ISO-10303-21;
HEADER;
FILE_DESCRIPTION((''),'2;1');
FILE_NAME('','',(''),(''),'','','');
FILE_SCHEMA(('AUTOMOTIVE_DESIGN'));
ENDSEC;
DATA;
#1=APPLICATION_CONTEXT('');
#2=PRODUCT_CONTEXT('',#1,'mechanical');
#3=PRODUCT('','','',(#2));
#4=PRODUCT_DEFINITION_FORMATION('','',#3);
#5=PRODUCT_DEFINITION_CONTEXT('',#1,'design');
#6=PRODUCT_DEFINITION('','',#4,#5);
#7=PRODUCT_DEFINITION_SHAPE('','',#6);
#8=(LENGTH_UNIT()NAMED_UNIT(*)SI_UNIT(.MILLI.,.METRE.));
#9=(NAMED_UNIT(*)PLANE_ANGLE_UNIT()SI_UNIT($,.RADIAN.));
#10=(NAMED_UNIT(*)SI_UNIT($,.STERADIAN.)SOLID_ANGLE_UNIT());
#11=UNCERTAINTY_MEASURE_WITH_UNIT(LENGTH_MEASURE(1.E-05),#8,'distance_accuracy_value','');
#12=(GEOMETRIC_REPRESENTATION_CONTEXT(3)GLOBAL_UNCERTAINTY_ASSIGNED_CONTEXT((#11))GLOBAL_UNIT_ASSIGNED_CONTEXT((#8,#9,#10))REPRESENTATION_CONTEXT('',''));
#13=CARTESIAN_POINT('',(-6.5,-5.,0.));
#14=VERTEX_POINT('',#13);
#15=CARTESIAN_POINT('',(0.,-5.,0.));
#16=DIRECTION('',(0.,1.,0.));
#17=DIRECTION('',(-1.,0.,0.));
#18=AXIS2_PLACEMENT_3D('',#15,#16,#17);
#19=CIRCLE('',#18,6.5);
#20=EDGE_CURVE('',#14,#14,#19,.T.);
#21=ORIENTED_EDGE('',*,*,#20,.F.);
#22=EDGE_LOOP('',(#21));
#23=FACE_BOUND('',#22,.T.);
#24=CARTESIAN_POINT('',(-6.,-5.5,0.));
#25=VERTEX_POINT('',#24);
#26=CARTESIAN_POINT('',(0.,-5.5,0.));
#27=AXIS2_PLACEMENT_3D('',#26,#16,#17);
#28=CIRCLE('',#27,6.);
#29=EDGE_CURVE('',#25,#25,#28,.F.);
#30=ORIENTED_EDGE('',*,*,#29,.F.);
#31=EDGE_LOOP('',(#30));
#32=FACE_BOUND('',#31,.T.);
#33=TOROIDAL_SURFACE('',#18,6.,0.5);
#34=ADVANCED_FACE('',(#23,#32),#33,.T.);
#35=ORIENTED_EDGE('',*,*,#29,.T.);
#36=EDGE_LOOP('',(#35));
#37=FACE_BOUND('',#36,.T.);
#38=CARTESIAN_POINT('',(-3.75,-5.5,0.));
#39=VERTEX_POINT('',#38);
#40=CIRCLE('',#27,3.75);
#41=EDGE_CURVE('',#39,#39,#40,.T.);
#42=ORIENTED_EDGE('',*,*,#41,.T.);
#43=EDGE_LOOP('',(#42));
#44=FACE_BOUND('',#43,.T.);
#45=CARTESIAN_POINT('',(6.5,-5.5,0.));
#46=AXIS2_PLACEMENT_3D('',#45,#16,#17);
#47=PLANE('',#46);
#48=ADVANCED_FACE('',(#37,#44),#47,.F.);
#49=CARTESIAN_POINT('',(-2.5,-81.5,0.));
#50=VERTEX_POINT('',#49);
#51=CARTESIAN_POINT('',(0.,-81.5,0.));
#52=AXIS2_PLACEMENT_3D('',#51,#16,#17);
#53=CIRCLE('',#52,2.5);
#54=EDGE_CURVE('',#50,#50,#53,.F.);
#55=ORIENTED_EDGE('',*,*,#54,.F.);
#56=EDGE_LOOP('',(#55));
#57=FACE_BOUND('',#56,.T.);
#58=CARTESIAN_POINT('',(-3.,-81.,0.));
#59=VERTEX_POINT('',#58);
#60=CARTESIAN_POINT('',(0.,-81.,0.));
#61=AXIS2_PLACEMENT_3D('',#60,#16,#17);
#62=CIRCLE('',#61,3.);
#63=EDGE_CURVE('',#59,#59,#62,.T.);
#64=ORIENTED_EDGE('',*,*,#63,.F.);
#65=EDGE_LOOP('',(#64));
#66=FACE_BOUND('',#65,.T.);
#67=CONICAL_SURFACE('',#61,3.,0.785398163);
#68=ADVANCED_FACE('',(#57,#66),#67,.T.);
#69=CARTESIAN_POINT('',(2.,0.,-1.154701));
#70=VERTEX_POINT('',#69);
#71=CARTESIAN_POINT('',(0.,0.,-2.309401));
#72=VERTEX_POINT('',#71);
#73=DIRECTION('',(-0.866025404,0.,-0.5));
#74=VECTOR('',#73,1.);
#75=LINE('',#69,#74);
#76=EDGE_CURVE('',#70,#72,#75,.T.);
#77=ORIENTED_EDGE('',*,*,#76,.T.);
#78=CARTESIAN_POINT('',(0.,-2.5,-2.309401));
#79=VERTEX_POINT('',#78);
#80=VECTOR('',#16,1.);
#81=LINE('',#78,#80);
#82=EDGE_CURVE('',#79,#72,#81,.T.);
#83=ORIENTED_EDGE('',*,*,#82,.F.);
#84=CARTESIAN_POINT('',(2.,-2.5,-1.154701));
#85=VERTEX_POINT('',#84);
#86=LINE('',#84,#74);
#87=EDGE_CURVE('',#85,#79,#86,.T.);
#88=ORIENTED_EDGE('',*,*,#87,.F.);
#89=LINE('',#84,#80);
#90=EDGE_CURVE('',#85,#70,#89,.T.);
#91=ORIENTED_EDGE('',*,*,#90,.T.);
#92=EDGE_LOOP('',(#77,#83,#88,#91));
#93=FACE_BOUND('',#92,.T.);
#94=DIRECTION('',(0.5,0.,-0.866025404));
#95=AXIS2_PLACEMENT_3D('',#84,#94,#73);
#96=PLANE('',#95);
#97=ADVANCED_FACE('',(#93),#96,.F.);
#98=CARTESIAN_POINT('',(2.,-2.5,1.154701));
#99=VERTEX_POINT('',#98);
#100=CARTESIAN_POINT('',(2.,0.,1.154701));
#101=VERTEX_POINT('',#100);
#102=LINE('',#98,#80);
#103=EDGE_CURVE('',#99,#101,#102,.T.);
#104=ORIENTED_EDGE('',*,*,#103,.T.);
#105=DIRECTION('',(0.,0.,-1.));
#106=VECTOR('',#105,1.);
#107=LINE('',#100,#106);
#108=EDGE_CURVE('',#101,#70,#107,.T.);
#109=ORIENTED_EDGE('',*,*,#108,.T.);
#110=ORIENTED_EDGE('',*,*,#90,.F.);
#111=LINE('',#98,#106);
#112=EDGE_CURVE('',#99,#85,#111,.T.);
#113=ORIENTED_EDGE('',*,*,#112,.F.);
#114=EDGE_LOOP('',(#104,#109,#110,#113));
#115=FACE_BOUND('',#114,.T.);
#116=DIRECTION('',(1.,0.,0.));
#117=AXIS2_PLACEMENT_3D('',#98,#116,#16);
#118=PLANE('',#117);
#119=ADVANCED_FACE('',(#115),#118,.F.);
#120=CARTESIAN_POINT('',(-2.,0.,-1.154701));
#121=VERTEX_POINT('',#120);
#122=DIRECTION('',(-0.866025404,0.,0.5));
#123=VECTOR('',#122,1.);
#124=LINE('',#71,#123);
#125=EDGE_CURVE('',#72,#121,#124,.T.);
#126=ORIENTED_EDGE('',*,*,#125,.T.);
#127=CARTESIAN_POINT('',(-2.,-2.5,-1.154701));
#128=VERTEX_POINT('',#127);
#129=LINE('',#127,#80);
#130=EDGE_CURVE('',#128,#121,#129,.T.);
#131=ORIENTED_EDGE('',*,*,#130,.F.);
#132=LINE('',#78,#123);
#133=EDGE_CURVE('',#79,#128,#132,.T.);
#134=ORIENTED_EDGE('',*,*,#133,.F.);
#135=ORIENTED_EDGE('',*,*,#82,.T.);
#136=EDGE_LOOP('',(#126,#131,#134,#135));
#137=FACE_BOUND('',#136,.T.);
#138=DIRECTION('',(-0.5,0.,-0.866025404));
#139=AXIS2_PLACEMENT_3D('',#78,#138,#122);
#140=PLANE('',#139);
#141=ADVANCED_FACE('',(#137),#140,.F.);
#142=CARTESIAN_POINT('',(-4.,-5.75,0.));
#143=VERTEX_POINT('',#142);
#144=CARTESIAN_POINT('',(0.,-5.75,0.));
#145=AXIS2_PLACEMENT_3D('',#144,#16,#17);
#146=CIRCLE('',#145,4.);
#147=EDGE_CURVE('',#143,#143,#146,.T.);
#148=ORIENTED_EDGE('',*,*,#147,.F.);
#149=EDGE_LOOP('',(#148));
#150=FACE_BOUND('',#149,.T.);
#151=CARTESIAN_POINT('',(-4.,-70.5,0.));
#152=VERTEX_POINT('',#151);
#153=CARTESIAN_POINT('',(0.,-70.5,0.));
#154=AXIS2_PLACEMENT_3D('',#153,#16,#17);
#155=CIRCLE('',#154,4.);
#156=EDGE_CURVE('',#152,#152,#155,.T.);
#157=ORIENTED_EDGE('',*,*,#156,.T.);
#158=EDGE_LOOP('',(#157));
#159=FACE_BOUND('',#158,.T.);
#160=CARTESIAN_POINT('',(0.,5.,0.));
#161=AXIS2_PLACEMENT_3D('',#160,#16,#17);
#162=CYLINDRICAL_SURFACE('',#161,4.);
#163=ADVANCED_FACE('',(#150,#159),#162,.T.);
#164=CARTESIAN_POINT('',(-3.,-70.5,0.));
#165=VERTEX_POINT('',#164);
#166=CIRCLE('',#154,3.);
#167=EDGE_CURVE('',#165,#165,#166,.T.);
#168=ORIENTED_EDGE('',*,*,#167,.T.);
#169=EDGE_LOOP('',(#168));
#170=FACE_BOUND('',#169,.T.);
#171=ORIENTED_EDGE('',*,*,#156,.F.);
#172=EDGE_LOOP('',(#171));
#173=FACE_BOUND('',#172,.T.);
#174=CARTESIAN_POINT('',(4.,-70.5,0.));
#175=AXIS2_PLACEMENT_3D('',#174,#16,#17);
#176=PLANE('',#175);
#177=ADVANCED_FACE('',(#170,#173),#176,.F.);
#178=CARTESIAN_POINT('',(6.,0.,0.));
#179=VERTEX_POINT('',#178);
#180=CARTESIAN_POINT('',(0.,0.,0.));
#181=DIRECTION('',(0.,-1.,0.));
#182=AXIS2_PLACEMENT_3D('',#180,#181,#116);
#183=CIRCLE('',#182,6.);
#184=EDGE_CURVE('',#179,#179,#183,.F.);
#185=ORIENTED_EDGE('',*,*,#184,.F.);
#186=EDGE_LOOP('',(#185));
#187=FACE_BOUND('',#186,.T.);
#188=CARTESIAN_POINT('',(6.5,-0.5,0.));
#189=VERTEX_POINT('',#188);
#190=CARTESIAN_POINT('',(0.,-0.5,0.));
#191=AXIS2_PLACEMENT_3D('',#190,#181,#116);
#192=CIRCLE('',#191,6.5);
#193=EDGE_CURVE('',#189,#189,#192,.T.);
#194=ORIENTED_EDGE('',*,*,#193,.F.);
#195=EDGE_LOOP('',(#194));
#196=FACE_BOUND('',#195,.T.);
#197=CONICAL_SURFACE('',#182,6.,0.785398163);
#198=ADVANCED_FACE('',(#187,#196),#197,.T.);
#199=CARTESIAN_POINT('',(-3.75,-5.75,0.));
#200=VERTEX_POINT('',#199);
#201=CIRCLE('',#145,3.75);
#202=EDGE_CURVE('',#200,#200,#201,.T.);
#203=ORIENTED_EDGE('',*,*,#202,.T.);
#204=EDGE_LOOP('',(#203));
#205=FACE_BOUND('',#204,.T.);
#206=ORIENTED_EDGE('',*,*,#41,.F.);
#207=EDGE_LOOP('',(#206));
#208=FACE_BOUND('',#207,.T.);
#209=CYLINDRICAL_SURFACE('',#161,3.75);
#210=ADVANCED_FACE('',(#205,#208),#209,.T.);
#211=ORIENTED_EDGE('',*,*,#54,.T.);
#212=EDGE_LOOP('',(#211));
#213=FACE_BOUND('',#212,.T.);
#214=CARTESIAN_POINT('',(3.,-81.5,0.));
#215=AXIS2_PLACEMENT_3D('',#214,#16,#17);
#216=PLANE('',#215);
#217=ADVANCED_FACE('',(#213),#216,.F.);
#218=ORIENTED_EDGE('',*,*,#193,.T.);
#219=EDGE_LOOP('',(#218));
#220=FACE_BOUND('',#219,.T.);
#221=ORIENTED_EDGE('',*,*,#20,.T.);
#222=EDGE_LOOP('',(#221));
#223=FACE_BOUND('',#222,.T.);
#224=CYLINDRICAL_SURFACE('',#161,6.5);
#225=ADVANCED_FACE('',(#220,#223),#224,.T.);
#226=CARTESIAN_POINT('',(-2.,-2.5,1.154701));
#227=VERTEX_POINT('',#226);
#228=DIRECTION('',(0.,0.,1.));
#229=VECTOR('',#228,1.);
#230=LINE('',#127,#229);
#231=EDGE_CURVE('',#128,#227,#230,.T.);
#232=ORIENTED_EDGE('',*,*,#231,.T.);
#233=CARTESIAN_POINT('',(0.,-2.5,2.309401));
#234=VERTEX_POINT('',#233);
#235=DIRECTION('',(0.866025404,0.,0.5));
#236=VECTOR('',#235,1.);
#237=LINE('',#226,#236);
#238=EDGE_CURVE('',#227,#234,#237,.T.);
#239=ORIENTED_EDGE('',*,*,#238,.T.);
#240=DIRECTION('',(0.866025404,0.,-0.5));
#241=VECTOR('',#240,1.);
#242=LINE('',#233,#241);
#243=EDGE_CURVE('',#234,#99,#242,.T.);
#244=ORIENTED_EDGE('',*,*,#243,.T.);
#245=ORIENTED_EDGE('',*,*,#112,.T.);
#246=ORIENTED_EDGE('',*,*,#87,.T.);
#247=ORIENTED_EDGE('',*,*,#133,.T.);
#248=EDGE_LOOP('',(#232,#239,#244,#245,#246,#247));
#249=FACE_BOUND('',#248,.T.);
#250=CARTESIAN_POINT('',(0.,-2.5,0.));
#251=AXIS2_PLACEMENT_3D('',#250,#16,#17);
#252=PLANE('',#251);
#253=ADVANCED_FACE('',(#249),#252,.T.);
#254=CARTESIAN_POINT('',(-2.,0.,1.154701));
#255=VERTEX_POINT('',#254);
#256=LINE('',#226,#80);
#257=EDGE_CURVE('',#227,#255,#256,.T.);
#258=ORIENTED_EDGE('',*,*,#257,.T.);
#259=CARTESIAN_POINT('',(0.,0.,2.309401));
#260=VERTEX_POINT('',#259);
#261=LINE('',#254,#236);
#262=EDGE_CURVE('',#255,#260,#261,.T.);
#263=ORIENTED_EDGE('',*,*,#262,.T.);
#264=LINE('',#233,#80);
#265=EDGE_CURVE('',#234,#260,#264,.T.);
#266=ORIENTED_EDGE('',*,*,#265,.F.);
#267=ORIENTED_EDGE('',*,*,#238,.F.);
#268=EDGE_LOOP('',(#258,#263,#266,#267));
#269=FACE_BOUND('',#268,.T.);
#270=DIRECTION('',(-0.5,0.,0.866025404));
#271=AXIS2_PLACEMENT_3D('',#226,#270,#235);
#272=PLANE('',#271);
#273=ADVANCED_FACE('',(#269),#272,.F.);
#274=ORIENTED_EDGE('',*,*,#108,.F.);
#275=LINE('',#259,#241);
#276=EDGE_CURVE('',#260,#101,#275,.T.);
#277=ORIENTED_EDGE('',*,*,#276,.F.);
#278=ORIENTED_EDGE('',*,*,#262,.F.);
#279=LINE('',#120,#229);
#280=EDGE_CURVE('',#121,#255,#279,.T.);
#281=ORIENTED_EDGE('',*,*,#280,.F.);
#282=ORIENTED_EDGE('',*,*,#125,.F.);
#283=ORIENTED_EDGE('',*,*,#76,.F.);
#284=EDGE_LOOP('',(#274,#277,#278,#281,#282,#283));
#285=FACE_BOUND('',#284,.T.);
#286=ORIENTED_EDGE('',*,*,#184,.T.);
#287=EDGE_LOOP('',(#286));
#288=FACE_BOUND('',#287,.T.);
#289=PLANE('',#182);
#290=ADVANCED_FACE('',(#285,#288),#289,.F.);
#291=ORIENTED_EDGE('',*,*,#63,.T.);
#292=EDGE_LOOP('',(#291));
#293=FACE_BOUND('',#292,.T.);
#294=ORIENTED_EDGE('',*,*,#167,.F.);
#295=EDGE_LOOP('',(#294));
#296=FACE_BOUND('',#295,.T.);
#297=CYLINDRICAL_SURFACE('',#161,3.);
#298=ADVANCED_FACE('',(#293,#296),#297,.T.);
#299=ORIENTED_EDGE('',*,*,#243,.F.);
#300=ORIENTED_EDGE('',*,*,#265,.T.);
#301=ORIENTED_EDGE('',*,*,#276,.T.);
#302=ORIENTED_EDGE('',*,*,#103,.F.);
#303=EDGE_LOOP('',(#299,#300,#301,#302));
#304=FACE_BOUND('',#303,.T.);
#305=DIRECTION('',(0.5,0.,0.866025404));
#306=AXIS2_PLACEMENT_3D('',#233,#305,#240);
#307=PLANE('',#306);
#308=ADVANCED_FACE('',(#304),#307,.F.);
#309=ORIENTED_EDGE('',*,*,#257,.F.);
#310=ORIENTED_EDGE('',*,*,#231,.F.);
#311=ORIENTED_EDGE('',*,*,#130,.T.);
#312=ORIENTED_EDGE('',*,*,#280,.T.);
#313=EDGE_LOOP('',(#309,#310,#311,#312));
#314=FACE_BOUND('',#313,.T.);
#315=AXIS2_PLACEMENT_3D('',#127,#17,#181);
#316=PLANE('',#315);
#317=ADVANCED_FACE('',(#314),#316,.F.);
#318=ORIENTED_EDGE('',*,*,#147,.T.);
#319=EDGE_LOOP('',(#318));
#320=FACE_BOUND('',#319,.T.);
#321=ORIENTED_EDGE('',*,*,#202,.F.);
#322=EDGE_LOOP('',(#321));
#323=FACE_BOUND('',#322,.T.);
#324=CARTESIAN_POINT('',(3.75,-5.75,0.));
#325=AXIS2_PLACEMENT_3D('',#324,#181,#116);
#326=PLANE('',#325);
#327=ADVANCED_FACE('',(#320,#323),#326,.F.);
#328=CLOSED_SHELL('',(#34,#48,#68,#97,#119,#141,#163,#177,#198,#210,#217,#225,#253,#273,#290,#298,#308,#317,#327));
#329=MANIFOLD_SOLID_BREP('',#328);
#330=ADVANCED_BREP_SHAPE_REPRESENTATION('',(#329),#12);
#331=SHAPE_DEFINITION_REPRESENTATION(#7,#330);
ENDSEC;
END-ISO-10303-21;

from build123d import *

# Parameters (mm, degrees)
CUT_EXTRUDE1_DEPTH = 2.5
CHAMFER1_SIZE      = 0.5
FILLET1_R          = 0.5
CHAMFER2_SIZE      = 0.5


with BuildPart() as part:
    # Sketch1 → Revolve1 (revolve)
    with BuildSketch(Plane.XY, mode=Mode.PRIVATE) as revolve1_sk:
        Polygon((0, 0), (6.5, 0), (6.5, -5.5), (3.75, -5.5), (3.75, -5.75), (4, -5.75), (4, -70.5), (3, -70.5), (3, -81.5), (0, -81.5), align=None)
    revolve(revolve1_sk.sketch.rotate(Axis((0, 5, 0), (0, -1, 0)), 180), axis=Axis((0, 5, 0), (0, -1, 0)))

    # Sketch2 → Cut-Extrude1 (cut)
    with BuildSketch(Plane(origin=(0, 0, 0), x_dir=(1, 0, 0), z_dir=(0, 1, 0))):
        Polygon((0, -2.309401077), (2, -1.154700538), (2, 1.154700538), (0, 2.309401077), (-2, 1.154700538), (-2, -1.154700538), align=None)
    extrude(amount=-CUT_EXTRUDE1_DEPTH, mode=Mode.SUBTRACT)

    # Chamfer1
    chamfer1_edges = [part.edges().sort_by_distance(p)[0] for p in [
        (6.5, 0, 0),
    ]]
    chamfer(chamfer1_edges, length=CHAMFER1_SIZE)

    # Fillet1
    fillet1_edges = [part.edges().sort_by_distance(p)[0] for p in [
        (6.5, -5.5, 0),
    ]]
    fillet(fillet1_edges, radius=FILLET1_R)

    # Chamfer2
    chamfer2_edges = [part.edges().sort_by_distance(p)[0] for p in [
        (3, -81.5, 0),
    ]]
    chamfer(chamfer2_edges, length=CHAMFER2_SIZE)


solid = part.part
